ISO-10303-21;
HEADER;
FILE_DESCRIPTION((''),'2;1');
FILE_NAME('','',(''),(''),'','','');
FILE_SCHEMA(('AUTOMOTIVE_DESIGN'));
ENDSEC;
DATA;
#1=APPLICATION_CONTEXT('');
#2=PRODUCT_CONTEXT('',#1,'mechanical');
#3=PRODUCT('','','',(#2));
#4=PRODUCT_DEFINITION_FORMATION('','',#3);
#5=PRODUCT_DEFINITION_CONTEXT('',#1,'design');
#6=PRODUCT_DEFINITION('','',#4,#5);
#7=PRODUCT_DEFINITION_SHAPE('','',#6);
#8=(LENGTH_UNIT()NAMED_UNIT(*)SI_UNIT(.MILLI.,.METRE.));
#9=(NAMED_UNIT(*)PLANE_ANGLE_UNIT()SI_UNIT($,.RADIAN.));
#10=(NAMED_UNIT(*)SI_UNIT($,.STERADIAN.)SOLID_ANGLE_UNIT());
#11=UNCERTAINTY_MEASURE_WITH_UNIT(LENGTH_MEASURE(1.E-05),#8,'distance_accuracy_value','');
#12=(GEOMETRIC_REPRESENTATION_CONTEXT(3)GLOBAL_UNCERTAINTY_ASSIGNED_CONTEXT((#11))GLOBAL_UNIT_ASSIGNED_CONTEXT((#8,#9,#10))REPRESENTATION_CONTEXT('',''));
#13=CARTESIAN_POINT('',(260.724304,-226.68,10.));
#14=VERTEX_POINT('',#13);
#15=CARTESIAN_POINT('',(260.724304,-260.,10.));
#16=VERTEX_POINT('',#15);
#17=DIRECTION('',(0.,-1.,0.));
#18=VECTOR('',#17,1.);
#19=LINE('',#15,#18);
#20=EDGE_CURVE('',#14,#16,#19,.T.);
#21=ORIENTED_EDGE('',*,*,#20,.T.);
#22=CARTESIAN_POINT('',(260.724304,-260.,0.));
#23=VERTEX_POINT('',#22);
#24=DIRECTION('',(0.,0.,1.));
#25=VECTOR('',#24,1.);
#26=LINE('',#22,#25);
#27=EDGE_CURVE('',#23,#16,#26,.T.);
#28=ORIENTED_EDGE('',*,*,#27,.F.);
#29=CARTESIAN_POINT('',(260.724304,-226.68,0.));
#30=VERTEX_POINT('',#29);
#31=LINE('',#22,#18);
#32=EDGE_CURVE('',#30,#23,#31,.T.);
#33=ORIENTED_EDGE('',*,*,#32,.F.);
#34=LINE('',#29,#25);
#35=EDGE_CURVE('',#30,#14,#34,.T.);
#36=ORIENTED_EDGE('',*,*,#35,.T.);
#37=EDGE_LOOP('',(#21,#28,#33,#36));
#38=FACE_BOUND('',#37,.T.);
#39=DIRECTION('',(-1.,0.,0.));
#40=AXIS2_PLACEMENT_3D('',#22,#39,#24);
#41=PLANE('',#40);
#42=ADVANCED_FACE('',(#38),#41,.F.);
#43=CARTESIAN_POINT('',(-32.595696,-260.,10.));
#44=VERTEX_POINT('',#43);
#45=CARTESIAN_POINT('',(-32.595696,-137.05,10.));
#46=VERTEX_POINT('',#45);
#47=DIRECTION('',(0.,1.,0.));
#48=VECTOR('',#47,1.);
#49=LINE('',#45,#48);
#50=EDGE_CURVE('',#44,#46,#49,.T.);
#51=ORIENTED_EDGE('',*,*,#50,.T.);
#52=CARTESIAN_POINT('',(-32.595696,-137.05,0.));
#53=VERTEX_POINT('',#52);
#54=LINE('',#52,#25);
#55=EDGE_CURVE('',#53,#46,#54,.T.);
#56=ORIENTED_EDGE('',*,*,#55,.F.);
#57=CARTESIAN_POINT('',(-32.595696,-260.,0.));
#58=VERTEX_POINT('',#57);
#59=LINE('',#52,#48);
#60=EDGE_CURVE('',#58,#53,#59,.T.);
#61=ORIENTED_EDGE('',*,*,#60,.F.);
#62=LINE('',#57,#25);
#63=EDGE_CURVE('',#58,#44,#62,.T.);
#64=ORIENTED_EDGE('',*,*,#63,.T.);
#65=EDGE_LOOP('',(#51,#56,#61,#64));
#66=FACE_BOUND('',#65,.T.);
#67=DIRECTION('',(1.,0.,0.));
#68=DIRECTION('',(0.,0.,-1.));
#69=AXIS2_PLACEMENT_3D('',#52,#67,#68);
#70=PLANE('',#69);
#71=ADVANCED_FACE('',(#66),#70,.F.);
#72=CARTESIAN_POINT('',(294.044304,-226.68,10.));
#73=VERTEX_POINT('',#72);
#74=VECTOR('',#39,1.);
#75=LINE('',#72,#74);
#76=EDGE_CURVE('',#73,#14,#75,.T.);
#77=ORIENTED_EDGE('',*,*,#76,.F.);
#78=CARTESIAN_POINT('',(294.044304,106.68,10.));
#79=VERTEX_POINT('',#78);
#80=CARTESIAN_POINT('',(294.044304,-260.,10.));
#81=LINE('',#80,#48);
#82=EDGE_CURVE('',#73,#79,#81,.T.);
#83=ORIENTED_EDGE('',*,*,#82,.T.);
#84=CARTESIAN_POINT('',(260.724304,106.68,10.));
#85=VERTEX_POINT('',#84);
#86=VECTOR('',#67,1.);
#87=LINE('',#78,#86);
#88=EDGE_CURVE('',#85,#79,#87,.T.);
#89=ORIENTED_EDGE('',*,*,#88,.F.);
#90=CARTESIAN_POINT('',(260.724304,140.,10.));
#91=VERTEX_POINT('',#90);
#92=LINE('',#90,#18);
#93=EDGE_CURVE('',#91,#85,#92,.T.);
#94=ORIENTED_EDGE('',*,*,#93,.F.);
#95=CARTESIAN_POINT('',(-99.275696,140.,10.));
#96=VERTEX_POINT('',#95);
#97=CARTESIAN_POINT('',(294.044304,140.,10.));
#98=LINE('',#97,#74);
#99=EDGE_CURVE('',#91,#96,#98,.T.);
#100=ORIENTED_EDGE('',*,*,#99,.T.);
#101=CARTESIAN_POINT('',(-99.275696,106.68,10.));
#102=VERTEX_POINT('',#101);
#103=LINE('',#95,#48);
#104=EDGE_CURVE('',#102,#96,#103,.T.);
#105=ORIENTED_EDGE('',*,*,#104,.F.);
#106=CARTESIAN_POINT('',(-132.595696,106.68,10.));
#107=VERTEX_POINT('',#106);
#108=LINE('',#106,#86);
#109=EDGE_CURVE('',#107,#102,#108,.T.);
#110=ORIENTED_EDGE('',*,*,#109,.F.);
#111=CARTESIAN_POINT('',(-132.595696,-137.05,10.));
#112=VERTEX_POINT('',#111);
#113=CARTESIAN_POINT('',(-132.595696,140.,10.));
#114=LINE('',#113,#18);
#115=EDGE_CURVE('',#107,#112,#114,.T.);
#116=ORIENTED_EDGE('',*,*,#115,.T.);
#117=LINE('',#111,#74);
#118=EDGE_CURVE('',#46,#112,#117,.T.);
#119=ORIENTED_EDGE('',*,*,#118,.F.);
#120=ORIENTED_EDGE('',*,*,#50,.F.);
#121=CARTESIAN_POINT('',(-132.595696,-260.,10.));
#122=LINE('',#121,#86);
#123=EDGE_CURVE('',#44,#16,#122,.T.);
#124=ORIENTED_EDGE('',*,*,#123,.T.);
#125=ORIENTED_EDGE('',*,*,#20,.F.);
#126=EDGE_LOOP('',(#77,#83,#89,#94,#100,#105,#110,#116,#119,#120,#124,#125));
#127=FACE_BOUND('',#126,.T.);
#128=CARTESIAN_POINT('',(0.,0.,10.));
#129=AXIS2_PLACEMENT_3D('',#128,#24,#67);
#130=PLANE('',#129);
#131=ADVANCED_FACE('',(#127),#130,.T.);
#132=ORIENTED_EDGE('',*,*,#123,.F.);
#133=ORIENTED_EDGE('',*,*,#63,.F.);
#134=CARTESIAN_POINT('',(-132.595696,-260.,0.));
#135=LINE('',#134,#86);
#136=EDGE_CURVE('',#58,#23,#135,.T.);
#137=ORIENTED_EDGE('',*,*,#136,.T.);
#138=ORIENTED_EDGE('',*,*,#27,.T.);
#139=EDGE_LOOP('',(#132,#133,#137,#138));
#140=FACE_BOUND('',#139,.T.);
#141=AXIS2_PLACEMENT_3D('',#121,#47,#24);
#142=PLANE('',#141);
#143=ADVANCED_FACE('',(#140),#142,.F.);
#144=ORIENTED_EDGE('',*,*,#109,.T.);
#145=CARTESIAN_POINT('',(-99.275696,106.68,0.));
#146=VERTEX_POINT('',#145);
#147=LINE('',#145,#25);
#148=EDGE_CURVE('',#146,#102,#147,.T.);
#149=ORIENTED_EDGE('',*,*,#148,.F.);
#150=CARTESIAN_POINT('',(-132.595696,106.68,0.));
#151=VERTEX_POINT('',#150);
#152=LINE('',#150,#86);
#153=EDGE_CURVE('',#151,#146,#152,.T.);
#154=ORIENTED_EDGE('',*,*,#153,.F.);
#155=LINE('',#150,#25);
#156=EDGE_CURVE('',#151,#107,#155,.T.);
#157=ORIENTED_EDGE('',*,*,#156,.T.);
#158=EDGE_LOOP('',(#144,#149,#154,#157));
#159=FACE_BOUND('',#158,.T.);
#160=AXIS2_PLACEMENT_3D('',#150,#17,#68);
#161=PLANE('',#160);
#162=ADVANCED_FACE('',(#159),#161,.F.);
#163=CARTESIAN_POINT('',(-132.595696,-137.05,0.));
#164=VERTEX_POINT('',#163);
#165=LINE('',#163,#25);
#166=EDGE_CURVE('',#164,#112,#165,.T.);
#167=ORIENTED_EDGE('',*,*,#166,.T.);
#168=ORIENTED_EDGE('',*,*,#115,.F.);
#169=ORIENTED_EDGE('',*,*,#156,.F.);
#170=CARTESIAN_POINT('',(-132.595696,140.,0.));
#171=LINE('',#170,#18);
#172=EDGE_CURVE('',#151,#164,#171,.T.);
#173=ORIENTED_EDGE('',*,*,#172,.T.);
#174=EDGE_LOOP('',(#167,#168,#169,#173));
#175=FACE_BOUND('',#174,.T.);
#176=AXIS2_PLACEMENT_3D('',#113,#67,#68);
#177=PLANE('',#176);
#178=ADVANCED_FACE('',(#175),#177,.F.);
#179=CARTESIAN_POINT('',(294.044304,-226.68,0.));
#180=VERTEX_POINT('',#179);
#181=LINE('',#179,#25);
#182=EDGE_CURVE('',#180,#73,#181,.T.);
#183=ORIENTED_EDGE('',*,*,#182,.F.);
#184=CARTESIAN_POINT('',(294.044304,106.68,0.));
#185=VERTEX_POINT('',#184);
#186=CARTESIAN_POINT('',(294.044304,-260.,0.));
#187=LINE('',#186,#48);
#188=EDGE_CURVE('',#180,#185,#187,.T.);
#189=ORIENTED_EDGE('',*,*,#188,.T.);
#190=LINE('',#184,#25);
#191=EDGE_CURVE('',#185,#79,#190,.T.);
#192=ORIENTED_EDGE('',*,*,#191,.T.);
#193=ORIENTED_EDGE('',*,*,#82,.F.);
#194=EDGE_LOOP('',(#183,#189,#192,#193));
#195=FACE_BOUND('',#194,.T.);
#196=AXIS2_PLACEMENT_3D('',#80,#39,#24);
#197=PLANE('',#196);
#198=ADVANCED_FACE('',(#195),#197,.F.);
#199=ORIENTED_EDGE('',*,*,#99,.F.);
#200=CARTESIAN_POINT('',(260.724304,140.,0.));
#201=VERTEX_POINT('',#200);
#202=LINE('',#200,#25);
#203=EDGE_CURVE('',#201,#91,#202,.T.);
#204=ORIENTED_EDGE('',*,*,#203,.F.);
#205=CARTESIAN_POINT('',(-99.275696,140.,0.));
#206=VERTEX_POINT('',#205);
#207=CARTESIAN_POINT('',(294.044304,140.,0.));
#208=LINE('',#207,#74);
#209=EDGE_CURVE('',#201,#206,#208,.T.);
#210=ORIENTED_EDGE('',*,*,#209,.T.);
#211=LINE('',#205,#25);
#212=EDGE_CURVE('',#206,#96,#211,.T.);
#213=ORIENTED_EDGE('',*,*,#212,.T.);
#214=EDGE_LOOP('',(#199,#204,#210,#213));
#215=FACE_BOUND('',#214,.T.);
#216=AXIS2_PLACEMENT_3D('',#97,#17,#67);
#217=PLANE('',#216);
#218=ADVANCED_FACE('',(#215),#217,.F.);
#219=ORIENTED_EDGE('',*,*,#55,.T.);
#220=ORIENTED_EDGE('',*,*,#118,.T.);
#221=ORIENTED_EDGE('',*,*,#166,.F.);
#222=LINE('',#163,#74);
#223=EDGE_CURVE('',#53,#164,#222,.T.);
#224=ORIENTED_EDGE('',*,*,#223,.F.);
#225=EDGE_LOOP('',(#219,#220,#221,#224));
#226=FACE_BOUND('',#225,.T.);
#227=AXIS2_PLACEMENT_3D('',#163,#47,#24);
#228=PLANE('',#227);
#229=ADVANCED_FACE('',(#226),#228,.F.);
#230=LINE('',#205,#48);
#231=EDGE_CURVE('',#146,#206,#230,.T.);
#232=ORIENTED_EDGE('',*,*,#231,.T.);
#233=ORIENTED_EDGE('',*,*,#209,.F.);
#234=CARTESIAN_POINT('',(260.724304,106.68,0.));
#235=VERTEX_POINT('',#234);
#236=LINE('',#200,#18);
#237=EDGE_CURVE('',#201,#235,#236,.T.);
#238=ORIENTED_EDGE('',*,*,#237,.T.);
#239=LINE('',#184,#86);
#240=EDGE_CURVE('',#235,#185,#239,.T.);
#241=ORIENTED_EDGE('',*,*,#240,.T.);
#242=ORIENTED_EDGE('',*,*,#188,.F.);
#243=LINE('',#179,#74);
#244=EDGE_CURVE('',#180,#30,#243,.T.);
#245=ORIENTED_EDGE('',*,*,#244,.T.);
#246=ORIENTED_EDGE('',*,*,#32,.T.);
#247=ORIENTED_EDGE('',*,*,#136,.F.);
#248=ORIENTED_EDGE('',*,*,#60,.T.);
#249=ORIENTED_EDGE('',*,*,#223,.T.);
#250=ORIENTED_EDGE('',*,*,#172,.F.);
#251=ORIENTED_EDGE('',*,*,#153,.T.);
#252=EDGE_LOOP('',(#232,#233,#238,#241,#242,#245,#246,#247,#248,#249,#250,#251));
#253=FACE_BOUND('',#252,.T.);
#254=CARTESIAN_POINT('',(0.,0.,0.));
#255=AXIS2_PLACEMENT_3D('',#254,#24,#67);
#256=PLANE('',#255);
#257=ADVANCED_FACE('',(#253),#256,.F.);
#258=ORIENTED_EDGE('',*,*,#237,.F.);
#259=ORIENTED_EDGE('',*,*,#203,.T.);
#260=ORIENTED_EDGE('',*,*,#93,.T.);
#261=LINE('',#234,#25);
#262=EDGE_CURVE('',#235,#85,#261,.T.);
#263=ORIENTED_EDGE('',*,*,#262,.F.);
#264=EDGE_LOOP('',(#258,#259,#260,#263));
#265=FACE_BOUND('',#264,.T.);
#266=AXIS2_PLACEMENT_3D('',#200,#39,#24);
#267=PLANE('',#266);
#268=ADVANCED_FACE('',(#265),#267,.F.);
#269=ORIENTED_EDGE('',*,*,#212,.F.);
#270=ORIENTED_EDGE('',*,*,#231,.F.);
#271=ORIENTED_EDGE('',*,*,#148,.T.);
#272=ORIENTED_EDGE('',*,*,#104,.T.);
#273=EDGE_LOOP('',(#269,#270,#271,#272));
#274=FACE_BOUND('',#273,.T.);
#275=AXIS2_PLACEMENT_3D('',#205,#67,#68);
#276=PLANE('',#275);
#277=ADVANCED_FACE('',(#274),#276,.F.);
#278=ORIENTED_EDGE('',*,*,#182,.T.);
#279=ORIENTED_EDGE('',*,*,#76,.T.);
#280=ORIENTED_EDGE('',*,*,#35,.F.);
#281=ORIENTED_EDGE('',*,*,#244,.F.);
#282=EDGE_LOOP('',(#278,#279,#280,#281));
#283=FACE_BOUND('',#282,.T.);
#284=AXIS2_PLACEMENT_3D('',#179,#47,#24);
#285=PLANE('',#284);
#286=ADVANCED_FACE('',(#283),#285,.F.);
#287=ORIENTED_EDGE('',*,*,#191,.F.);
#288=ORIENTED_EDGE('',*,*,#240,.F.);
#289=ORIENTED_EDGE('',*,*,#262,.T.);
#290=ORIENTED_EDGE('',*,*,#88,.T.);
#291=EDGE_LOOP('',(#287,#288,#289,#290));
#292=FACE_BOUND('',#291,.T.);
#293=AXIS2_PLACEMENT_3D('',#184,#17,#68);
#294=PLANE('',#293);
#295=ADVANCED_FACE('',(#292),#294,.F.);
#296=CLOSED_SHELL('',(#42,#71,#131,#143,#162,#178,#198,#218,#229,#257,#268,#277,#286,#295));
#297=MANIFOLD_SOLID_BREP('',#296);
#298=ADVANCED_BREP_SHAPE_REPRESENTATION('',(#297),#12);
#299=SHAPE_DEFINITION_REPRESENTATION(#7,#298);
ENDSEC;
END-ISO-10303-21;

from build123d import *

# Parameters (mm, degrees)
CROQUIS1_W              = 426.64
CROQUIS1_H              = 400
SALIENTE_EXTRUIR1_DEPTH = 10
CROQUIS2_W              = 33.32
CROQUIS2_H              = 33.32
CORTAR_EXTRUIR1_DEPTH   = 393.634757764
CORTAR_EXTRUIR2_DEPTH   = 393.634757764


with BuildPart() as part:
    # Croquis1 → Saliente-Extruir1 (new body)
    with BuildSketch(Plane.XY):
        with Locations((80.724304492, -60)):
            Rectangle(CROQUIS1_W, CROQUIS1_H)
    extrude(amount=SALIENTE_EXTRUIR1_DEPTH)

    # Croquis2 → Cortar-Extruir1 (cut, through all)
    with BuildSketch(Plane.XY.offset(10)):
        with Locations((-115.935695508, -243.34)):
            Rectangle(CROQUIS2_W, CROQUIS2_H)
        with Locations((-115.935695508, 123.34)):
            Rectangle(CROQUIS2_W, CROQUIS2_H)
        with Locations((277.384304492, 123.34)):
            Rectangle(CROQUIS2_W, CROQUIS2_H)
        with Locations((277.384304492, -243.34)):
            Rectangle(CROQUIS2_W, CROQUIS2_H)
    extrude(amount=-CORTAR_EXTRUIR1_DEPTH, mode=Mode.SUBTRACT)

    # Croquis3 → Cortar-Extruir2 (cut, through all)
    with BuildSketch(Plane.XY.offset(10)):
        Polygon((-132.595695508, -137.05), (-132.595695508, -226.68), (-99.275695508, -226.68), (-99.275695508, -260), (-32.595695508, -260), (-32.595695508, -137.05), align=None)
    extrude(amount=-CORTAR_EXTRUIR2_DEPTH, mode=Mode.SUBTRACT)


solid = part.part
